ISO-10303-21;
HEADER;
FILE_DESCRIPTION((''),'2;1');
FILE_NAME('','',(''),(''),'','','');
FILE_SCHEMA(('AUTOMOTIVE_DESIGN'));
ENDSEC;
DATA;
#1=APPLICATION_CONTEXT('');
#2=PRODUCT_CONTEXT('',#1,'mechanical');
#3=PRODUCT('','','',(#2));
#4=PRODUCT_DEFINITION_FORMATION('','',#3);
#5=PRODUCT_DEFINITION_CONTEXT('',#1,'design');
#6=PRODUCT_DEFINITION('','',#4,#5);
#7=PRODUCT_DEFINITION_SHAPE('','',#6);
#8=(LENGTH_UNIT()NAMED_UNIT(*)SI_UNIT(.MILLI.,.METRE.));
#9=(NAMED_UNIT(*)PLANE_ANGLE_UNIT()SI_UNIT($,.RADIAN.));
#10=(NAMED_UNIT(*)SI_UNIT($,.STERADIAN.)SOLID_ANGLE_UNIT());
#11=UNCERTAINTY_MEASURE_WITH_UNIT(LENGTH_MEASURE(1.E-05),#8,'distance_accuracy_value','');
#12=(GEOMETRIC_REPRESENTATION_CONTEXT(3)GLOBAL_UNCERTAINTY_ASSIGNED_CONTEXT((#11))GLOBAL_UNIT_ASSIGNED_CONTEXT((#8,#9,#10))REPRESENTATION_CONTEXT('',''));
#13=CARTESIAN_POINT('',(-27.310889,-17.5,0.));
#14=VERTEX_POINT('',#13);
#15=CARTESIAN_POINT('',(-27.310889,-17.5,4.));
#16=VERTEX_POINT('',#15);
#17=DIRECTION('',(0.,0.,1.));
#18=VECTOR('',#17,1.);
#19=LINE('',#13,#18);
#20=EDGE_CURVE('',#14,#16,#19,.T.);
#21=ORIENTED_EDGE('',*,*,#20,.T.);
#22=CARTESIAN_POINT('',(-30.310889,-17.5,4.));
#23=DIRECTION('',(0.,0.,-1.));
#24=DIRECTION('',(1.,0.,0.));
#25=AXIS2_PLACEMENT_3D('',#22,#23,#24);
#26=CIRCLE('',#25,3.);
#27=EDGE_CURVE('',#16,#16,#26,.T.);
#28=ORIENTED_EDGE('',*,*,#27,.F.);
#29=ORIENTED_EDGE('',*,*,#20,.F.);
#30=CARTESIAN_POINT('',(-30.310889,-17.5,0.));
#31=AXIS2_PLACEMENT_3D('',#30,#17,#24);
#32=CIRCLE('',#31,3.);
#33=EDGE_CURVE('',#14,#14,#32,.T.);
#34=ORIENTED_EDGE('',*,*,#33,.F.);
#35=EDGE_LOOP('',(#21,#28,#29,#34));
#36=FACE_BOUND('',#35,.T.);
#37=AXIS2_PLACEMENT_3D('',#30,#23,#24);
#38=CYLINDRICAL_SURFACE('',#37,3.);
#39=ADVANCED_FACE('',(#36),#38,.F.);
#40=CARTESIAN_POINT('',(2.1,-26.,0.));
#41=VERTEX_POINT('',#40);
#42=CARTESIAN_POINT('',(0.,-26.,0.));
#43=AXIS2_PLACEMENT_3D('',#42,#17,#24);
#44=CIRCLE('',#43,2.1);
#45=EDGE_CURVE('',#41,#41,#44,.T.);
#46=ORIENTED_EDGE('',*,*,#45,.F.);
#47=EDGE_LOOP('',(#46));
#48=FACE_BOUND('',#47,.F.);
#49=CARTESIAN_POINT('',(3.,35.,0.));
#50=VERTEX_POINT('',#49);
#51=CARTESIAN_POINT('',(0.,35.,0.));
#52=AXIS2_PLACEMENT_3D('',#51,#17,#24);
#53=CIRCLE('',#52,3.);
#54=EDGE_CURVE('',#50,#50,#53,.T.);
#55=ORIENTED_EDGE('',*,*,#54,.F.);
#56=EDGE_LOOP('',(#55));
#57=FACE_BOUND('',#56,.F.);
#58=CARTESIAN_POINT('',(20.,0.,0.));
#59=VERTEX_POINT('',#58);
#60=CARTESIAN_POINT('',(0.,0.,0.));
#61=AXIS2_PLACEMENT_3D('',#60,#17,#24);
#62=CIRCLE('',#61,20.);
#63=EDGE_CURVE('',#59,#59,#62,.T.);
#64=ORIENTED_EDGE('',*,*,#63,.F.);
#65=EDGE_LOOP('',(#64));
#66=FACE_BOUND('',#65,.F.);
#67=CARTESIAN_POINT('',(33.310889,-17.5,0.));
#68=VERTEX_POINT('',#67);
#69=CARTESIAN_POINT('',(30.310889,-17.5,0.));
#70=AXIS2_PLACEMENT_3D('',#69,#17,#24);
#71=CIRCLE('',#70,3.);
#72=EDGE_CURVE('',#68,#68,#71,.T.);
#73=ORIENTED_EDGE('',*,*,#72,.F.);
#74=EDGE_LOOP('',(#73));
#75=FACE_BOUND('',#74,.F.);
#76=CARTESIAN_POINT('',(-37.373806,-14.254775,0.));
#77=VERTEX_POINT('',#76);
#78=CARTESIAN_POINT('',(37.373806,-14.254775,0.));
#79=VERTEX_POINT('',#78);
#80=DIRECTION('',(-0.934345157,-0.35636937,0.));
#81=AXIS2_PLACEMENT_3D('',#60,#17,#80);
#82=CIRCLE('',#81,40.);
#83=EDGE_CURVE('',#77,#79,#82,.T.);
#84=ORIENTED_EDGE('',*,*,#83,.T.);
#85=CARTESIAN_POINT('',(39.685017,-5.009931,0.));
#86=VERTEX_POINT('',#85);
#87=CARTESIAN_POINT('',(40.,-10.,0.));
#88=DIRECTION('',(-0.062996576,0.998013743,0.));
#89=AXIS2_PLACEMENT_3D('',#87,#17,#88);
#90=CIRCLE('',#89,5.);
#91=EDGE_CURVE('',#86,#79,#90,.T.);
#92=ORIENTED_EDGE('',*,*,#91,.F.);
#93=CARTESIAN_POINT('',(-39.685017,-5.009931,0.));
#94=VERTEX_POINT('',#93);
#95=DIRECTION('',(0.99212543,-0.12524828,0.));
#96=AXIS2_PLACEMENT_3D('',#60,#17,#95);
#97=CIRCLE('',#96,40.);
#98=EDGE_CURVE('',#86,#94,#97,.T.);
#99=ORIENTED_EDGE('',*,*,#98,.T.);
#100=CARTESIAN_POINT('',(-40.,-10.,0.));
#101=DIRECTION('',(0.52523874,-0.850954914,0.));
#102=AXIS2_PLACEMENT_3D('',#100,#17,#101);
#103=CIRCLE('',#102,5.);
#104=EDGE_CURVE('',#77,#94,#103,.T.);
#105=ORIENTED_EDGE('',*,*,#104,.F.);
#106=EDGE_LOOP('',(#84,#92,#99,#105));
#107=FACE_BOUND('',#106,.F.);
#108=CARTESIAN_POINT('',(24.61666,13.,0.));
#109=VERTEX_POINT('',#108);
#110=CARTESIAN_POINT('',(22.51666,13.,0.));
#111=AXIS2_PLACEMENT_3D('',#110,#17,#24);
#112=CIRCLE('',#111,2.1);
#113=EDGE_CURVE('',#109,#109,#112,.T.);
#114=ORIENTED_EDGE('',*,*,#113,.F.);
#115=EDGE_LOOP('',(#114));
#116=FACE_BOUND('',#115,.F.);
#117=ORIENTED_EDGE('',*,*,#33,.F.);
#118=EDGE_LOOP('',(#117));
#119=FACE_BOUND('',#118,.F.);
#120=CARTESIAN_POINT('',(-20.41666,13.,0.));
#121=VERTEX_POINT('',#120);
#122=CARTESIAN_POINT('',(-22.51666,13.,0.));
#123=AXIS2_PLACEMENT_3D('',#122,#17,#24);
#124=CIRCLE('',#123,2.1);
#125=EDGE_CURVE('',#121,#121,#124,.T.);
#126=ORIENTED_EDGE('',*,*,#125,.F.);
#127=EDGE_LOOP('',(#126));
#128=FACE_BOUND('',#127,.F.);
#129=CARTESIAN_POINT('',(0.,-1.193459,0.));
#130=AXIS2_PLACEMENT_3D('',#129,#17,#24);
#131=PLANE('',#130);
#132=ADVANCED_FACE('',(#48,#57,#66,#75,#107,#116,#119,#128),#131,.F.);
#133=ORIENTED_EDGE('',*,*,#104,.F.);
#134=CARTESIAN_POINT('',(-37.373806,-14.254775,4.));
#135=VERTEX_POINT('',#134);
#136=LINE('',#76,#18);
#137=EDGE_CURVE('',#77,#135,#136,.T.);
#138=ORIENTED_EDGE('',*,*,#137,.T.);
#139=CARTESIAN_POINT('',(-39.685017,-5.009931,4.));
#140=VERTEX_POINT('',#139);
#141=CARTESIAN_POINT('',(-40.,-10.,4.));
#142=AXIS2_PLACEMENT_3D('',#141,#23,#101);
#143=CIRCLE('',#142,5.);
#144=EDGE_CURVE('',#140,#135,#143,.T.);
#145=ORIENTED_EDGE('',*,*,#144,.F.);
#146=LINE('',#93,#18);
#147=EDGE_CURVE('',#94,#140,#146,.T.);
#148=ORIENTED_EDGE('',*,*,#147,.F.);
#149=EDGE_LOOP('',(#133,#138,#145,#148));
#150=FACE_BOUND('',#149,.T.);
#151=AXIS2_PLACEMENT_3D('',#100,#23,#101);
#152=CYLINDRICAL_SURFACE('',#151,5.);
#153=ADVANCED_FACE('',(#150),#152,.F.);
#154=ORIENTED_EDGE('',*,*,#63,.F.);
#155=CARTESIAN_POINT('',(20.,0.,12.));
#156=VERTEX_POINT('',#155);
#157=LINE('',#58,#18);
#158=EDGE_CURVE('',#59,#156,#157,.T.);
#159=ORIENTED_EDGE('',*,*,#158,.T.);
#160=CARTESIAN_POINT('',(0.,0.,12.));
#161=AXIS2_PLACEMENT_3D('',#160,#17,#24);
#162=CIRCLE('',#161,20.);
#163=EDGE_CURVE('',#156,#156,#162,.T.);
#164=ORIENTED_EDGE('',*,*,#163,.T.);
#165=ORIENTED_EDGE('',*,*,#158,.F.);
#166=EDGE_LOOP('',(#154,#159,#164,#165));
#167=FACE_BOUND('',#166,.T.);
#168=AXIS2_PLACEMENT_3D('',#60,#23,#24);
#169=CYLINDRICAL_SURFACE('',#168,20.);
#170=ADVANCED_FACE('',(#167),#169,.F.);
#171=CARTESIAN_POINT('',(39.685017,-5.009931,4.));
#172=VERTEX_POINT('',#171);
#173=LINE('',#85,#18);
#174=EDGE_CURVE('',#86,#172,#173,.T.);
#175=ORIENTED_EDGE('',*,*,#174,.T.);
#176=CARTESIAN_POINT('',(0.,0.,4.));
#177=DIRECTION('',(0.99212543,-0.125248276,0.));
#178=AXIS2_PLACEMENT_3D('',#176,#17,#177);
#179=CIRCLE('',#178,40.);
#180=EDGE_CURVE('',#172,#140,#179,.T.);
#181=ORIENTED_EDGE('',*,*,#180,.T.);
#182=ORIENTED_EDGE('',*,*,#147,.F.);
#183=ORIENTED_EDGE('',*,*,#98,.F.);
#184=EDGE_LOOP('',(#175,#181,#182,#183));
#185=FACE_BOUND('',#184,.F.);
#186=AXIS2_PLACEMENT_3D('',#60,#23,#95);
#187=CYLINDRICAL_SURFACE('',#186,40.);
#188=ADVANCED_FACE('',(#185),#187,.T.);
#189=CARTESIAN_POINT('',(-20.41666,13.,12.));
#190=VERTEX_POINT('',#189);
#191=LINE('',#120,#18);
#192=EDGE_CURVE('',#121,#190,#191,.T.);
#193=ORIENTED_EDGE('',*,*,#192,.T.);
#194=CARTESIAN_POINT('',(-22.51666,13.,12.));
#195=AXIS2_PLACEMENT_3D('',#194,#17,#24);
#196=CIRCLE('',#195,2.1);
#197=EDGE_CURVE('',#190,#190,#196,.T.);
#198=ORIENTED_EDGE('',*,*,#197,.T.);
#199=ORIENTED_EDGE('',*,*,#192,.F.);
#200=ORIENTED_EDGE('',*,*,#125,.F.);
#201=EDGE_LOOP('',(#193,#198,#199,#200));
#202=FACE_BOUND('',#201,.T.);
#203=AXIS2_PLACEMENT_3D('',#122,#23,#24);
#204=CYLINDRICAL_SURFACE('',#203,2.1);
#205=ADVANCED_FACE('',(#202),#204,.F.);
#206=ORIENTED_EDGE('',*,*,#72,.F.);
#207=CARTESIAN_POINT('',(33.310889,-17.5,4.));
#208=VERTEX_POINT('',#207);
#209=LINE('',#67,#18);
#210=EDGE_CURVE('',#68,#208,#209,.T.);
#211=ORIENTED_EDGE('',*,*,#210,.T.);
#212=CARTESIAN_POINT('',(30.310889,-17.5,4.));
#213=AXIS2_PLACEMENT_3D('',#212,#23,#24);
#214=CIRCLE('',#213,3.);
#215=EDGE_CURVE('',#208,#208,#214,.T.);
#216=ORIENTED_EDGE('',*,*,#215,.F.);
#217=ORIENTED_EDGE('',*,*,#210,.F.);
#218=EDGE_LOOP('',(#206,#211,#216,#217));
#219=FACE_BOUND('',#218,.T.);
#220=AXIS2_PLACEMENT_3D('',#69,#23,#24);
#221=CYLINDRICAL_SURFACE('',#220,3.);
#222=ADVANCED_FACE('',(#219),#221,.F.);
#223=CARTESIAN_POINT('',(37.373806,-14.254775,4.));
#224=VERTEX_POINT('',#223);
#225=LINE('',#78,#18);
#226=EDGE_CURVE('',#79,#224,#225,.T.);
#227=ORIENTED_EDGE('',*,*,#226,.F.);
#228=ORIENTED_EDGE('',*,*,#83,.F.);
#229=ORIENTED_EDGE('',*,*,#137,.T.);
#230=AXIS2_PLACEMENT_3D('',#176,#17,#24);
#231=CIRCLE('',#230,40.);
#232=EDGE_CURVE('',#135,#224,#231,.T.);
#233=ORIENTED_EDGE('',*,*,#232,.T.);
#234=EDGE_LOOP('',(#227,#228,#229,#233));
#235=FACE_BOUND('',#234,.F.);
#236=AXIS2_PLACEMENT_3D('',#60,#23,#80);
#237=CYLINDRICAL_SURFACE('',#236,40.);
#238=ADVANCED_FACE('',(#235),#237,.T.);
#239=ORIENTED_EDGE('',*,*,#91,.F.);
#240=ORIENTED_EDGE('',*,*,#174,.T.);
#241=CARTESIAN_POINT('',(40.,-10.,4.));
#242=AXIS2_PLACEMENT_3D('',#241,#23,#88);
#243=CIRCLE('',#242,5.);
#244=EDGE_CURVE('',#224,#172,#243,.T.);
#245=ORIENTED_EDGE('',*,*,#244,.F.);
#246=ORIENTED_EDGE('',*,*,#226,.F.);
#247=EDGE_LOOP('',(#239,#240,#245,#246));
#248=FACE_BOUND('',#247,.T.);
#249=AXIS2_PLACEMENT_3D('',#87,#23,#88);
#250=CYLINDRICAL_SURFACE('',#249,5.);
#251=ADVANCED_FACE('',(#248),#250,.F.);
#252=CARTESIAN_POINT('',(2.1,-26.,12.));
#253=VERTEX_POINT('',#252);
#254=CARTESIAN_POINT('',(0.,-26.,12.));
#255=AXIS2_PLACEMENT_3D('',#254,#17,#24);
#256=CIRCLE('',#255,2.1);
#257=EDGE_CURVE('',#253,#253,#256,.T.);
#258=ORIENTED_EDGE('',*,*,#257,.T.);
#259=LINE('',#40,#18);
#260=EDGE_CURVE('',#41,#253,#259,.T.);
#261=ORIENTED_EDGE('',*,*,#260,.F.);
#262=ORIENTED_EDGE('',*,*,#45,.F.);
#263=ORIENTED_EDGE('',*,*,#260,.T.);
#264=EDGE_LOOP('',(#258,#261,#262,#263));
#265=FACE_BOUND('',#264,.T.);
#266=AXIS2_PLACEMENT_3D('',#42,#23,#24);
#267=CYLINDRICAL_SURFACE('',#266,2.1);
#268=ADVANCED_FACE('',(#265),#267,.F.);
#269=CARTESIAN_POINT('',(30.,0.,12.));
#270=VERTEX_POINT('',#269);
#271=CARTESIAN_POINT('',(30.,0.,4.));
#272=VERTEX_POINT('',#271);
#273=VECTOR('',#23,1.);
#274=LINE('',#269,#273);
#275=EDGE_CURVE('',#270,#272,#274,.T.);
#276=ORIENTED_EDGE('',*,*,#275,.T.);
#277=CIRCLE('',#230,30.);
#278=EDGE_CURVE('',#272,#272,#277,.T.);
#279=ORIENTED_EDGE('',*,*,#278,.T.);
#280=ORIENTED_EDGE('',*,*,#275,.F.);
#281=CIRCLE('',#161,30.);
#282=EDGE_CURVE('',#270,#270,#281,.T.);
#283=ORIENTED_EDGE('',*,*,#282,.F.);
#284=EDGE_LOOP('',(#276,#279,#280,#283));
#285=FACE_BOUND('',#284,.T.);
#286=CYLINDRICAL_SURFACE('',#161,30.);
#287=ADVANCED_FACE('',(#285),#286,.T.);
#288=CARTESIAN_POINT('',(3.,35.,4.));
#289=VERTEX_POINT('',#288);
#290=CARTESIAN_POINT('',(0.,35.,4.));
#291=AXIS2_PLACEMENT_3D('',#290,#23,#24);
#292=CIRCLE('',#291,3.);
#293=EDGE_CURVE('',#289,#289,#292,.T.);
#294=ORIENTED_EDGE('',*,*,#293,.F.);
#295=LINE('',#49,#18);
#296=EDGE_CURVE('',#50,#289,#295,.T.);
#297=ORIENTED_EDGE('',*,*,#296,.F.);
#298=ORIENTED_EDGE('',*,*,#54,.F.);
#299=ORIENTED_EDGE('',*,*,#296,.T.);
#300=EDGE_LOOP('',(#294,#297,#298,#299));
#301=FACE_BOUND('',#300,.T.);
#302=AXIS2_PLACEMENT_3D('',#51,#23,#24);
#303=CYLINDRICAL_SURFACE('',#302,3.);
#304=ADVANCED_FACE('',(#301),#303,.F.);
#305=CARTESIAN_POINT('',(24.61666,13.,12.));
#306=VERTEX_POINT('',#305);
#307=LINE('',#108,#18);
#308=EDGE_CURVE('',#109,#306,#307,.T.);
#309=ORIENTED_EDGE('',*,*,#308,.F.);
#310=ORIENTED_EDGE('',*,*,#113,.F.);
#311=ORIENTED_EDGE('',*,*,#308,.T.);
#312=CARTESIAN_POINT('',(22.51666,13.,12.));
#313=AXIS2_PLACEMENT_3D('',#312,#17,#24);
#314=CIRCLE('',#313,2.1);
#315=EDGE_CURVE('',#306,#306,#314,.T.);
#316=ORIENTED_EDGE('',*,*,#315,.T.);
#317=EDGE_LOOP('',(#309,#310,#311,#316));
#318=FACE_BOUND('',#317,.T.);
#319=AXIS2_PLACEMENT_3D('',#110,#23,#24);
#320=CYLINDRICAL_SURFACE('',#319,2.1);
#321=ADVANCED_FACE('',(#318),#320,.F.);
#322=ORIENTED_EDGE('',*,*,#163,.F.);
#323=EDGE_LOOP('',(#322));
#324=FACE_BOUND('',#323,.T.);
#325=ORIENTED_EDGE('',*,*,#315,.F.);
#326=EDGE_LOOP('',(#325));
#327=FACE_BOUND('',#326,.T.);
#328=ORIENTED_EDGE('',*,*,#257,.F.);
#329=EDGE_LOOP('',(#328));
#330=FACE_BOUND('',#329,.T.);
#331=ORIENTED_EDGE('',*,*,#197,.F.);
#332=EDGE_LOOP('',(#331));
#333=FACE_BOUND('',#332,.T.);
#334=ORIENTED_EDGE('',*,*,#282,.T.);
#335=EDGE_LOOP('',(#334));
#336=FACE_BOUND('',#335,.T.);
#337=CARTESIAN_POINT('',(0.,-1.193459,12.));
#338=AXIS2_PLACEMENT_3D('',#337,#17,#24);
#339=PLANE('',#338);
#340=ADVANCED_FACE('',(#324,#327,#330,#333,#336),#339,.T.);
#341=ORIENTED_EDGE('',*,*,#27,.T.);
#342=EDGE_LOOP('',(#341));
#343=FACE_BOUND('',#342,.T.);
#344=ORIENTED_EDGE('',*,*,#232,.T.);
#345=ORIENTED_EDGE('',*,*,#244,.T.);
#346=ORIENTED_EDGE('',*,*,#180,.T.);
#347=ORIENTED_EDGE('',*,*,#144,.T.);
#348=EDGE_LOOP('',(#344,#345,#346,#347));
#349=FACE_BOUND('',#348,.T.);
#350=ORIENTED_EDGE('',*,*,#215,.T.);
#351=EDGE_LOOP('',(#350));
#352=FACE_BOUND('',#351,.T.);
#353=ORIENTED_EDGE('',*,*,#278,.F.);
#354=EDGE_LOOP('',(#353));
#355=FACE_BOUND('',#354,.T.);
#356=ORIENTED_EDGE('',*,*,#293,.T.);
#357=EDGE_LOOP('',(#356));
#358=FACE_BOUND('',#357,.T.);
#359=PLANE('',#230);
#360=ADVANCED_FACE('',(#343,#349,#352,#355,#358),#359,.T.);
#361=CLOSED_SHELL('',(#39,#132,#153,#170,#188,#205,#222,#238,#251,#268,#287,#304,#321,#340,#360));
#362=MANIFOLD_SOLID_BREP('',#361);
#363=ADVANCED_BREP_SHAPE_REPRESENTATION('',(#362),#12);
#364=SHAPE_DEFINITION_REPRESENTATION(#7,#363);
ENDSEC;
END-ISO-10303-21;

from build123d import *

# Parameters (mm, degrees)
SKETCH_R      = 3
SKETCH_R_2    = 2.1
SKETCH_R_3    = 20
PAD_DEPTH     = 12
SKETCH001_R   = 40
SKETCH001_R_2 = 30
POCKET_DEPTH  = 8


with BuildPart() as part:
    # Sketch → Pad (new body)
    with BuildSketch(Plane.XY):
        with BuildLine():
            ThreePointArc((-37.373806, -14.254775), (0, -40), (37.373806, -14.254775))
            ThreePointArc((39.685017, -5.009931), (35.149287, -8.787322), (37.373806, -14.254775))
            ThreePointArc((39.685017, -5.009931), (0, 40), (-39.685017, -5.009931))
            ThreePointArc((-37.373806, -14.254775), (-35.149287, -8.787322), (-39.685017, -5.009931))
        make_face()
        with Locations((0, 35)):
            Circle(SKETCH_R, mode=Mode.SUBTRACT)
        with Locations((-30.310889, -17.5)):
            Circle(SKETCH_R, mode=Mode.SUBTRACT)
        with Locations((30.310889, -17.5)):
            Circle(SKETCH_R, mode=Mode.SUBTRACT)
        with Locations((-22.51666, 13)):
            Circle(SKETCH_R_2, mode=Mode.SUBTRACT)
        with Locations((22.51666, 13)):
            Circle(SKETCH_R_2, mode=Mode.SUBTRACT)
        with Locations((0, -26)):
            Circle(SKETCH_R_2, mode=Mode.SUBTRACT)
        Circle(SKETCH_R_3, mode=Mode.SUBTRACT)
    extrude(amount=PAD_DEPTH)

    # Sketch001 (on Face13 of Pad) → Pocket (cut)
    with BuildSketch(Plane.XY.offset(12)):
        Circle(SKETCH001_R)
        Circle(SKETCH001_R_2, mode=Mode.SUBTRACT)
    extrude(amount=-POCKET_DEPTH, mode=Mode.SUBTRACT)


solid = part.part
